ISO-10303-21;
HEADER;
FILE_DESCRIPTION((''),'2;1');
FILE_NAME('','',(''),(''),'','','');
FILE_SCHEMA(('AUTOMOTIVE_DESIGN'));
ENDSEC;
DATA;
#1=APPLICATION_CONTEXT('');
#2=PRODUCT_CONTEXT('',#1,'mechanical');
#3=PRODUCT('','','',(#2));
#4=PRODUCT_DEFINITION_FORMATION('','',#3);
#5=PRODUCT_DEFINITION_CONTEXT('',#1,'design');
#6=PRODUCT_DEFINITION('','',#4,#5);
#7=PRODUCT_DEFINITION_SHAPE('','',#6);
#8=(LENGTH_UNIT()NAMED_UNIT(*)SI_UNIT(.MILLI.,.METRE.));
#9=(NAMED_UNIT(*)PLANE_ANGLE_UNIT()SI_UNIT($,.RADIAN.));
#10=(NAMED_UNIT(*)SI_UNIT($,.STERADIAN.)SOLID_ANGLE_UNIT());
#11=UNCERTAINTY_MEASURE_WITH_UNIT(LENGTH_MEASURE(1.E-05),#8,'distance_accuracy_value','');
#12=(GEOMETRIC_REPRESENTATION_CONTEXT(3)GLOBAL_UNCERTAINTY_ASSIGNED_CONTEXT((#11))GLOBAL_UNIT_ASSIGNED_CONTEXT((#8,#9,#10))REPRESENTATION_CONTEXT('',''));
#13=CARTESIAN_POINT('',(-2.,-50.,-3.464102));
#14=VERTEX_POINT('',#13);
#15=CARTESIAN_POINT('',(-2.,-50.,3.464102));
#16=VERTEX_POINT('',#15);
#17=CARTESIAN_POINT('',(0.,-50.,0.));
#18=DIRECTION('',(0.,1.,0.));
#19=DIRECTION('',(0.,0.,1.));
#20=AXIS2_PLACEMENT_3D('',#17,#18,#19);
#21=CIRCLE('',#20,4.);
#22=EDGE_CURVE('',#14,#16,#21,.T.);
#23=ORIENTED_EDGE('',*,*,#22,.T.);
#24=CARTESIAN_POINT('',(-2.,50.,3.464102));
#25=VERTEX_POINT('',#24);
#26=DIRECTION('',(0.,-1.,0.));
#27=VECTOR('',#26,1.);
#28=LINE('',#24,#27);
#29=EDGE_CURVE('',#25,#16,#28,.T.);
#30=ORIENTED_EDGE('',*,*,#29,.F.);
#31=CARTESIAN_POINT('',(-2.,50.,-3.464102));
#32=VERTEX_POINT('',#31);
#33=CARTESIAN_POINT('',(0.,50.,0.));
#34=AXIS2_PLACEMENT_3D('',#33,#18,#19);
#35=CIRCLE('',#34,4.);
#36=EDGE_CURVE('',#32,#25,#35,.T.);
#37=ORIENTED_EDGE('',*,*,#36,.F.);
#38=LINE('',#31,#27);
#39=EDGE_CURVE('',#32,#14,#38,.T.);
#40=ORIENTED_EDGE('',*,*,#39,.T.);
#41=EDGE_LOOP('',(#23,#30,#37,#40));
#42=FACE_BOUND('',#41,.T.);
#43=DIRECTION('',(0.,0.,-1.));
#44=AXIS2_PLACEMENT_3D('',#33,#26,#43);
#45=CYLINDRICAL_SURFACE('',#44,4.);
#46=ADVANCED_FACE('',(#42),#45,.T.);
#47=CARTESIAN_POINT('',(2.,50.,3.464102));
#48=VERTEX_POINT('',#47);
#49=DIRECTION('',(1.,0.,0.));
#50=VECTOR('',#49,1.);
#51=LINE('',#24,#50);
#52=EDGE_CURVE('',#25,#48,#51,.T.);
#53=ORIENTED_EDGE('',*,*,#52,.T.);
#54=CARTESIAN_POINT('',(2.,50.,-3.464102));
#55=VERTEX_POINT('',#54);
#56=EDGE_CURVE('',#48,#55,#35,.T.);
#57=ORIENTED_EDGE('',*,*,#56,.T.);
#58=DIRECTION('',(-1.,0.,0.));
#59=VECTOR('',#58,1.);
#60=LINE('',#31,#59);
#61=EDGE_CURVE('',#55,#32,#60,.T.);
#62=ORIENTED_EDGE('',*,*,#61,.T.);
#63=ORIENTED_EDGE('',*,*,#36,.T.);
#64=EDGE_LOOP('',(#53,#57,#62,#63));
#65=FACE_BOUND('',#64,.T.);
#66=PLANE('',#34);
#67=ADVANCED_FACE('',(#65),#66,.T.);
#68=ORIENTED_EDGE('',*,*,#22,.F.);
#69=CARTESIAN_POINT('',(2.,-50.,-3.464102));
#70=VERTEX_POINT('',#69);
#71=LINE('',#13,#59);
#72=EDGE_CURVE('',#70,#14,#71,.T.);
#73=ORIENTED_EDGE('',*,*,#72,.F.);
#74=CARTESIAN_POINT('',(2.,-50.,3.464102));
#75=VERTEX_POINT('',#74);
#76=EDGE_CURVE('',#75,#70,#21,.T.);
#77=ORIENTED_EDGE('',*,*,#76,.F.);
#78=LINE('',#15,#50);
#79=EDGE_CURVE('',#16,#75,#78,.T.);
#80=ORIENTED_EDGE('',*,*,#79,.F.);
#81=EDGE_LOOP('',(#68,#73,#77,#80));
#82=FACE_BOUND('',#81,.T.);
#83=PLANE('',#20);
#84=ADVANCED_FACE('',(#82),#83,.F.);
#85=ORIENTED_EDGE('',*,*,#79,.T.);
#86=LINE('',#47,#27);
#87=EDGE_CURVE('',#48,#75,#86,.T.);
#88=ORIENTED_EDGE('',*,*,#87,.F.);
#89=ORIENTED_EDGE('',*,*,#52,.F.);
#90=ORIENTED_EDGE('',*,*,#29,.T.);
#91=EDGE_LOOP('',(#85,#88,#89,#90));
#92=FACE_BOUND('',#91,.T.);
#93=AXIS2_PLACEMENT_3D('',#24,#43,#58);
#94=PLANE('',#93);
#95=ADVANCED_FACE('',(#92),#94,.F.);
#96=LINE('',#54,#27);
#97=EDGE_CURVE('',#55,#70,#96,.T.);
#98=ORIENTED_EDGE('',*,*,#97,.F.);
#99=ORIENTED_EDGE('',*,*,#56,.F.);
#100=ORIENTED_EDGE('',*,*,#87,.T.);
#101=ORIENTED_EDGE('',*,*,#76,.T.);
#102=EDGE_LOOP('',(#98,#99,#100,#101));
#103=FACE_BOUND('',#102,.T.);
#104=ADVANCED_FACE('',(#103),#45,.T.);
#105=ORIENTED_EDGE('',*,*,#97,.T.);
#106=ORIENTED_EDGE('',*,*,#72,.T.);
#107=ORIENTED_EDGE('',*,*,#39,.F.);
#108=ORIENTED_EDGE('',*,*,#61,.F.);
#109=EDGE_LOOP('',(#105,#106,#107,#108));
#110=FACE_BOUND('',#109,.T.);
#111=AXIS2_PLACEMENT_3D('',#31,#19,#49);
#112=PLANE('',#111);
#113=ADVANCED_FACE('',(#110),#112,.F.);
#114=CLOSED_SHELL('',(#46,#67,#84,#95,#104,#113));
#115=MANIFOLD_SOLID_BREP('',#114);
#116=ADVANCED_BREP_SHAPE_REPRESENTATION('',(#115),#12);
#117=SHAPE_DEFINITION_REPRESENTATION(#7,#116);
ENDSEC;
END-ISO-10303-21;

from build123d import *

# Parameters (mm, degrees)
BOSS_EXTRUDE1_DEPTH = 50


with BuildPart() as part:
    # Sketch2 → Boss-Extrude1 (new, symmetric)
    with BuildSketch(Plane(origin=(0, 0, 0), x_dir=(1, 0, 0), z_dir=(0, 1, 0))):
        with BuildLine():
            Line((-2, -3.464101615), (2, -3.464101615))
            ThreePointArc((2, -3.464101615), (4, 0), (2, 3.464101615))
            Line((2, 3.464101615), (-2, 3.464101615))
            ThreePointArc((-2, 3.464101615), (-4, 0), (-2, -3.464101615))
        make_face()
    extrude(amount=BOSS_EXTRUDE1_DEPTH, both=True)


solid = part.part
